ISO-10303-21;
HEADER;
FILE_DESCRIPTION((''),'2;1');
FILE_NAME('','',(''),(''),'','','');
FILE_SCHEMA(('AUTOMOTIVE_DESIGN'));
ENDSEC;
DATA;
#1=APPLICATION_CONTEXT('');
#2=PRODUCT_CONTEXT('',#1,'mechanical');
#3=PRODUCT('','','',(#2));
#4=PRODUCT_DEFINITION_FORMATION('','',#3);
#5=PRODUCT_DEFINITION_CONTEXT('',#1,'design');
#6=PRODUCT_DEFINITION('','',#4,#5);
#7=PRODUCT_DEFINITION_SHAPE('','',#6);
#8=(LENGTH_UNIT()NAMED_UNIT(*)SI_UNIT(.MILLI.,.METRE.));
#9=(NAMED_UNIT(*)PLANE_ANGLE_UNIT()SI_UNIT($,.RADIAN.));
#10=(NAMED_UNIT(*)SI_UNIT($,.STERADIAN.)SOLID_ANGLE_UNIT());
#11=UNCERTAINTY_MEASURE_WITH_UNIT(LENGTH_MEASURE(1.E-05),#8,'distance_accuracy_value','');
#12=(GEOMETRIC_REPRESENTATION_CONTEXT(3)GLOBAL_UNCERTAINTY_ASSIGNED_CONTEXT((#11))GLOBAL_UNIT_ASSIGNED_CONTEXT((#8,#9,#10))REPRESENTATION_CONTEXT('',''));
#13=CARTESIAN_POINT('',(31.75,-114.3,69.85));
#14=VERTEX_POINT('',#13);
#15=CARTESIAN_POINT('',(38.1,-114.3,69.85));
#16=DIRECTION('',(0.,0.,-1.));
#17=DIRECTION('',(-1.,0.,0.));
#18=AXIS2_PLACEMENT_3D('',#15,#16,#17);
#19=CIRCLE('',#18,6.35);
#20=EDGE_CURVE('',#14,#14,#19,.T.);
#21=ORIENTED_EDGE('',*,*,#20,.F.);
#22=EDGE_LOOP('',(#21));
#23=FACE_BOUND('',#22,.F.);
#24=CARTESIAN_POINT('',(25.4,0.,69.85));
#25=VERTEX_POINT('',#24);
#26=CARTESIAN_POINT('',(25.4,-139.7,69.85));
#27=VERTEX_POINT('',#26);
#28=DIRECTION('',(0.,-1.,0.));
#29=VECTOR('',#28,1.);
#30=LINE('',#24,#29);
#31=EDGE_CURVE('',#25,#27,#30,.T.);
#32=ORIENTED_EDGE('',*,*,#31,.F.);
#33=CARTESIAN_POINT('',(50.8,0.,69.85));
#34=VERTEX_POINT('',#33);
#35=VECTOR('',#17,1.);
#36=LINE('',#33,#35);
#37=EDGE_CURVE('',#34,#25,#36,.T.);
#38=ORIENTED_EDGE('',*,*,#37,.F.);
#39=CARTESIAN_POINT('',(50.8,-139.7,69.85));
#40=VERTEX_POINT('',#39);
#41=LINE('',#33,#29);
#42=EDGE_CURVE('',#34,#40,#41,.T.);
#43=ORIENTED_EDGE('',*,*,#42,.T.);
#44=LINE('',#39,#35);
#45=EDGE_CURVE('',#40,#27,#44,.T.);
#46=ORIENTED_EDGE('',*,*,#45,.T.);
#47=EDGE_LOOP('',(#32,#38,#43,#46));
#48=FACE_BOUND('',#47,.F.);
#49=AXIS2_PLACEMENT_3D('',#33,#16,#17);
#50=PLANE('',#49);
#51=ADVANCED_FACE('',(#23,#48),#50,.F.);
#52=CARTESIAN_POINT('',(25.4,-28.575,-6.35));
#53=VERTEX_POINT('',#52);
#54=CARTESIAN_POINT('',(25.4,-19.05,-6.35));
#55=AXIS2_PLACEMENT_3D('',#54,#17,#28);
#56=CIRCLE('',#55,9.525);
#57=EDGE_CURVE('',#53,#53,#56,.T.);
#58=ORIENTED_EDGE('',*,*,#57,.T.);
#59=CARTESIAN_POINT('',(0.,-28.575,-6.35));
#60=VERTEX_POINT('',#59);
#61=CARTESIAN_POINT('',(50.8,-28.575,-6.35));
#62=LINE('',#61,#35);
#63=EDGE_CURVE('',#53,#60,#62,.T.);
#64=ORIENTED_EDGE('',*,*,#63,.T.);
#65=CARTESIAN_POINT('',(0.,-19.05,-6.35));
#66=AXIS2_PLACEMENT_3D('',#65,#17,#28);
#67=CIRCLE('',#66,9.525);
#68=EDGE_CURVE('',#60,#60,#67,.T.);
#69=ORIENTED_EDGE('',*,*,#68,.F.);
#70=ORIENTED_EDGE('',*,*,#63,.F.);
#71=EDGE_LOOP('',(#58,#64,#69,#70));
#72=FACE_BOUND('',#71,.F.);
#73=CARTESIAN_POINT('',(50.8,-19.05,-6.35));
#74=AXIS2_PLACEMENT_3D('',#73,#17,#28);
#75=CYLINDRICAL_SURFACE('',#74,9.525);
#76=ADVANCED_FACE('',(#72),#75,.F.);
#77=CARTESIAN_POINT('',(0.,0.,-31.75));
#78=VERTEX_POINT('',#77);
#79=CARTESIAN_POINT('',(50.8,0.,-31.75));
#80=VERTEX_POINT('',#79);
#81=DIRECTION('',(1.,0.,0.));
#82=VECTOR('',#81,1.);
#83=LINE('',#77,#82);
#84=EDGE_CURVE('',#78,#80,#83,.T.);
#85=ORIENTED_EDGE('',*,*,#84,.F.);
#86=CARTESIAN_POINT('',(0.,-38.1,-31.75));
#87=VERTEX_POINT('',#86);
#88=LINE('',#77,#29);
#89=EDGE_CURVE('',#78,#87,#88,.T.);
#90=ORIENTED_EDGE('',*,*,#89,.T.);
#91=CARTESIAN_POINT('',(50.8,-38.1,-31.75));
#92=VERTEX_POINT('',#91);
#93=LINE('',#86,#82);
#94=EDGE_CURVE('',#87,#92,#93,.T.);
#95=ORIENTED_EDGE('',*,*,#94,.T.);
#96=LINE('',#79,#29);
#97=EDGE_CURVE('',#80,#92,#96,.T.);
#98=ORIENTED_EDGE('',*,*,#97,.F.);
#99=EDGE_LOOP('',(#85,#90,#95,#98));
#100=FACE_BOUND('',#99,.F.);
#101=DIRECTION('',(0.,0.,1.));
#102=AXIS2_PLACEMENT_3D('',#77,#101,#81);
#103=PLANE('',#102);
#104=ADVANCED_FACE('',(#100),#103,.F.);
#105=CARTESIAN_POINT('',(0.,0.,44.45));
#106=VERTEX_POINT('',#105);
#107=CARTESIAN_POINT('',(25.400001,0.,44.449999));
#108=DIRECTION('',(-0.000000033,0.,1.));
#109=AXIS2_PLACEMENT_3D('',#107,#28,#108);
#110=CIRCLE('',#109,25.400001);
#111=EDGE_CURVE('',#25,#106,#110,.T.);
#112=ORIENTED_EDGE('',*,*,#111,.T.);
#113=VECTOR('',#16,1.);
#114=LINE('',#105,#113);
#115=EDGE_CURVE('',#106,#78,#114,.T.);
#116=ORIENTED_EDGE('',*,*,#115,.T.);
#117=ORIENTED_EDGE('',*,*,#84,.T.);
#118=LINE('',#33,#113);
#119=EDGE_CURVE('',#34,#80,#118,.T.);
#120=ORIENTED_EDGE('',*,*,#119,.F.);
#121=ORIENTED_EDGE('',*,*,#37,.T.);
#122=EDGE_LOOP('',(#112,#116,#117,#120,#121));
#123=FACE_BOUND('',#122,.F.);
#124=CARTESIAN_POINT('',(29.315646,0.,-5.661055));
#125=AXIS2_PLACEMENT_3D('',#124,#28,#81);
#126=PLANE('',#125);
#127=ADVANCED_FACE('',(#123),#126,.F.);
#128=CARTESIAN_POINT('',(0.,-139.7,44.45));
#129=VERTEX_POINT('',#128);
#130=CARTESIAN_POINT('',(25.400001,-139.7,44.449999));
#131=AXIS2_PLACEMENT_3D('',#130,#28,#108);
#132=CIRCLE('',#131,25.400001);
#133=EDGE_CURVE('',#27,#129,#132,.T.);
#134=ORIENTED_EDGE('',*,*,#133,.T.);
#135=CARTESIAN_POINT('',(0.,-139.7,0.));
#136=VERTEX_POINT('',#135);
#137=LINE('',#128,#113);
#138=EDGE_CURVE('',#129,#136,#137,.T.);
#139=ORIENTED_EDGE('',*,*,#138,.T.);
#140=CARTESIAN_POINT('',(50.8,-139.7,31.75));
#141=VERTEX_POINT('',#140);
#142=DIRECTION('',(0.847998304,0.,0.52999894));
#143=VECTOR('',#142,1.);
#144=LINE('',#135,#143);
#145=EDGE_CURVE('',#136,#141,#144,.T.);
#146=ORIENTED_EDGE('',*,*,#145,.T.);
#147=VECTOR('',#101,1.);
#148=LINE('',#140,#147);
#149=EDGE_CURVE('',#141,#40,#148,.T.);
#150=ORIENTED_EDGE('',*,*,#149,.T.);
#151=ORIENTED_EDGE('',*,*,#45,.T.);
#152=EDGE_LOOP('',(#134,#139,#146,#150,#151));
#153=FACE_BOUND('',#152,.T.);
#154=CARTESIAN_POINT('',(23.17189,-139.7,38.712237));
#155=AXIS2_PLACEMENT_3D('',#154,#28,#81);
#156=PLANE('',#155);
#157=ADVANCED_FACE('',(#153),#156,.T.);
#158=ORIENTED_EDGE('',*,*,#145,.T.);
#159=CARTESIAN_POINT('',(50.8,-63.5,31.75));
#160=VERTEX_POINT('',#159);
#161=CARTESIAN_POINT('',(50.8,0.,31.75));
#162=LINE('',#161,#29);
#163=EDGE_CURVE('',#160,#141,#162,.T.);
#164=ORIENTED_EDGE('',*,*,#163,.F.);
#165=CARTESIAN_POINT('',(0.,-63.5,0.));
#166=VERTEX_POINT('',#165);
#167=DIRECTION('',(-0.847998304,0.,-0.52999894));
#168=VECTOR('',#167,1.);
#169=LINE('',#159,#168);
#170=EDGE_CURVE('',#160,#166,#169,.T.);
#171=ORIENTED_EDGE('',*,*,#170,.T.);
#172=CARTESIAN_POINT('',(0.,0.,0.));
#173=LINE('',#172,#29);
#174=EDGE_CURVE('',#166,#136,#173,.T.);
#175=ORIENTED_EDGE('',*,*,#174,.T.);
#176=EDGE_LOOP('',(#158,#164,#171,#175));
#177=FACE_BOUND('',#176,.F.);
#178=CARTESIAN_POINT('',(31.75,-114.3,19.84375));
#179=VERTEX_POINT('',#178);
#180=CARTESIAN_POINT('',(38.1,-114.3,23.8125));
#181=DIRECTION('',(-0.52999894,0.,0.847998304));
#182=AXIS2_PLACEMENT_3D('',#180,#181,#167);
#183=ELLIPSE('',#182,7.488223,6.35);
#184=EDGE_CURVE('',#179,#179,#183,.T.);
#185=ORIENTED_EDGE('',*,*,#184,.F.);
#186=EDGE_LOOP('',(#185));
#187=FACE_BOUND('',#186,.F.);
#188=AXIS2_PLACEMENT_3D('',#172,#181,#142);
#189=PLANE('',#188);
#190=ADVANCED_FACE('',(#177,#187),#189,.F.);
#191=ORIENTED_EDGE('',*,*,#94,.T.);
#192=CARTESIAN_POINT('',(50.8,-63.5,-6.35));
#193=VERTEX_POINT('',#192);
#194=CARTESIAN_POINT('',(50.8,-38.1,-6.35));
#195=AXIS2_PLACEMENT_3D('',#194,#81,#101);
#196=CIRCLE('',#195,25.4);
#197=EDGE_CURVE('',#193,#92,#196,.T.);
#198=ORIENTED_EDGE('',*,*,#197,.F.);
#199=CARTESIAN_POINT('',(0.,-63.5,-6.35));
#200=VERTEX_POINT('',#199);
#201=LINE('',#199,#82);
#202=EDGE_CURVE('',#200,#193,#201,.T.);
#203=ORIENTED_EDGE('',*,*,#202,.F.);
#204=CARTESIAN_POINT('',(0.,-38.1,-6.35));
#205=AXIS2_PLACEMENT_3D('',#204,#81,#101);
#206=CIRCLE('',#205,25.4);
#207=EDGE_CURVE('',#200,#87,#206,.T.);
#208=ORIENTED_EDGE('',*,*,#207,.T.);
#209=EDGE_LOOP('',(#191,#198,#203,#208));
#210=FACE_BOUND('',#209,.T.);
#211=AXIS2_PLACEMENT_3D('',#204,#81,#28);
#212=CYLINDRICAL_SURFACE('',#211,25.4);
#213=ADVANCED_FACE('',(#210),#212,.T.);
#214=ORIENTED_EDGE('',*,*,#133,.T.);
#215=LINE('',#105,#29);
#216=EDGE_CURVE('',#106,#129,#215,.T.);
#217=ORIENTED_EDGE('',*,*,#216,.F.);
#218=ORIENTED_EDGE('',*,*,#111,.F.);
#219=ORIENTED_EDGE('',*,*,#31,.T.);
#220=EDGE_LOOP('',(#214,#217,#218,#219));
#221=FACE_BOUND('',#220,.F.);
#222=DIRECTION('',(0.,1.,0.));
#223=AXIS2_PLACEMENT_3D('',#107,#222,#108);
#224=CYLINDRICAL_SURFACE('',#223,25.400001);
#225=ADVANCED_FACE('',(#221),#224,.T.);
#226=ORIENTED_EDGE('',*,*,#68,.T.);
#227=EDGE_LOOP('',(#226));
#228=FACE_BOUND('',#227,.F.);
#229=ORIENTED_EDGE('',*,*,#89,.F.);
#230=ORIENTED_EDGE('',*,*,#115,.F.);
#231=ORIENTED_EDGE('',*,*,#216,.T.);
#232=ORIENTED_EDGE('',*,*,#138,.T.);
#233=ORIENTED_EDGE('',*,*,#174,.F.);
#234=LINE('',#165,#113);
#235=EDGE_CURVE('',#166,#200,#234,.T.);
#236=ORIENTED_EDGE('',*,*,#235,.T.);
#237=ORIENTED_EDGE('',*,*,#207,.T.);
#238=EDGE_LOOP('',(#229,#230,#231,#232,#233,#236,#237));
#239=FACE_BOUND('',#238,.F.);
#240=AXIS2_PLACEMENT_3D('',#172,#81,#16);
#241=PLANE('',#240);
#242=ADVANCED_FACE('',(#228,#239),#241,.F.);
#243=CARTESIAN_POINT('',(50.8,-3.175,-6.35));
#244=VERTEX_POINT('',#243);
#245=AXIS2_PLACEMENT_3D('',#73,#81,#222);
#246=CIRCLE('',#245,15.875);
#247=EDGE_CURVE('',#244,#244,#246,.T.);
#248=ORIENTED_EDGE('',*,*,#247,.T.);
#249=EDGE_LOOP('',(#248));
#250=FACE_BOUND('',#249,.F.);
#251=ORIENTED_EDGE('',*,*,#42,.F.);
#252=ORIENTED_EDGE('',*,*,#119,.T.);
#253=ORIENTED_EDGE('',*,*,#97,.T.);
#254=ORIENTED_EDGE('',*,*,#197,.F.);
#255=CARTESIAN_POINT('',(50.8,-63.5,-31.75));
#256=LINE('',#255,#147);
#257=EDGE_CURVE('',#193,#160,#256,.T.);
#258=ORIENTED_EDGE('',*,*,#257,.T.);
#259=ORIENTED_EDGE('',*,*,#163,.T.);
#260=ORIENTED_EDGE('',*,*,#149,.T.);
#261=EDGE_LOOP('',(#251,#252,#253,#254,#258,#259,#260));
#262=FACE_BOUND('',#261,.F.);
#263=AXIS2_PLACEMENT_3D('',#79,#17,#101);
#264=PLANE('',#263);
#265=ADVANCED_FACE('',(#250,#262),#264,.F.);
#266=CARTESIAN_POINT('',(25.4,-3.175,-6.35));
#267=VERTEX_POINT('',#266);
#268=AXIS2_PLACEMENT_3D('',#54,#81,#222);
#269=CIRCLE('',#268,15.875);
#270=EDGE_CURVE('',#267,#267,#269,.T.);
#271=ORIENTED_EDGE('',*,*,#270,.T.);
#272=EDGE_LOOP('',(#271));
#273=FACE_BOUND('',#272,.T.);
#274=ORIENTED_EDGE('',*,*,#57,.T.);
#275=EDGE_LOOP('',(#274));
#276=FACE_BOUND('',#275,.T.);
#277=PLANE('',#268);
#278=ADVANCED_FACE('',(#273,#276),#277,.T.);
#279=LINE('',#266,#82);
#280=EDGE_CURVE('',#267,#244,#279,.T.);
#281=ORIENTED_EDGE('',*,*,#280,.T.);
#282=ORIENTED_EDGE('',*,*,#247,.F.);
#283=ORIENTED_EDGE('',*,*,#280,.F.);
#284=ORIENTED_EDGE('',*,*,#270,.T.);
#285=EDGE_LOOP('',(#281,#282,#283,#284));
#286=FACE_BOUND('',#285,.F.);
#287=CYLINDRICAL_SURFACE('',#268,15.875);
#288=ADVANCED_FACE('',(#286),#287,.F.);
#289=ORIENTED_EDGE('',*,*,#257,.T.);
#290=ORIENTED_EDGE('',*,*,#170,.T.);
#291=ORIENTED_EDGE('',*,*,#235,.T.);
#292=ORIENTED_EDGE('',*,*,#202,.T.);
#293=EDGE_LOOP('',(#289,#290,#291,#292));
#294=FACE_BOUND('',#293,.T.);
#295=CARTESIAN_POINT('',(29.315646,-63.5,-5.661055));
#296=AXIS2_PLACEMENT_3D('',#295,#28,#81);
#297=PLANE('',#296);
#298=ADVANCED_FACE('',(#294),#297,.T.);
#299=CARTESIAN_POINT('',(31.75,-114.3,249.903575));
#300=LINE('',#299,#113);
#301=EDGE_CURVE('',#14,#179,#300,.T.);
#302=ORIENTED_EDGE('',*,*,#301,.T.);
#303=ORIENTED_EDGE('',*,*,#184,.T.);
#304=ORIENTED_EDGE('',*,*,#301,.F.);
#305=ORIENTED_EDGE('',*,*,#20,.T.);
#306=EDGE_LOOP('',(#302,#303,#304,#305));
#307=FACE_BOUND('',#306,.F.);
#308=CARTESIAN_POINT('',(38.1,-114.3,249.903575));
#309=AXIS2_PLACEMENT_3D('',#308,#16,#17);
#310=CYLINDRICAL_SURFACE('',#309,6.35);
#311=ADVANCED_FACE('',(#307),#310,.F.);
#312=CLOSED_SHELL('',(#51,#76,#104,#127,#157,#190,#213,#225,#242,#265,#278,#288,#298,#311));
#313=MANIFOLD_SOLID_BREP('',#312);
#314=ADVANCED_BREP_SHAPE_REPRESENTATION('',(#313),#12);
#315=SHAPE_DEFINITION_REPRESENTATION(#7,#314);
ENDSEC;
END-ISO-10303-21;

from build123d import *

# Parameters (mm, degrees)
F1_DEPTH       = 139.7
F2_DEPTH       = 63.5
F3_R           = 25.4
F5_D           = 19.05
F5_CBORE_D     = 31.75
F5_CBORE_DEPTH = 25.4
F7_D           = 12.7


with BuildPart() as f1:
    # F0 (on Front) → F1 (new body)
    with BuildSketch(Plane.XZ):
        with BuildLine():
            Line((0, 44.45), (0, 0))
            Line((0, 0), (50.8, 31.75))
            Line((50.8, 31.75), (50.8, 69.85))
            Line((50.8, 69.85), (25.4, 69.85))
            ThreePointArc((25.4, 69.85), (7.439488, 62.410512), (0, 44.45))
        make_face()
    extrude(amount=F1_DEPTH)

    # F0 (on Front) → F2 (join)
    with BuildSketch(Plane.XZ):
        Polygon((50.8, 31.75), (0, 0), (0, -31.75), (50.8, -31.75), align=None)
    extrude(amount=F2_DEPTH)

    # F3
    f3_edges = [f1.edges().sort_by_distance(p)[0] for p in [
        (25.4, -63.5, -31.75),
    ]]
    fillet(f3_edges, radius=F3_R)

    # F5 (through all)
    with Locations(Plane.YZ.offset(50.8)):
        with Locations((-19.05, -6.35)):
            CounterBoreHole(F5_D / 2, F5_CBORE_D / 2, F5_CBORE_DEPTH)

    # F7 (through all)
    with Locations(Plane.XY.offset(69.85)):
        with Locations((38.1, -114.3)):
            Hole(F7_D / 2)


solid = f1.part
